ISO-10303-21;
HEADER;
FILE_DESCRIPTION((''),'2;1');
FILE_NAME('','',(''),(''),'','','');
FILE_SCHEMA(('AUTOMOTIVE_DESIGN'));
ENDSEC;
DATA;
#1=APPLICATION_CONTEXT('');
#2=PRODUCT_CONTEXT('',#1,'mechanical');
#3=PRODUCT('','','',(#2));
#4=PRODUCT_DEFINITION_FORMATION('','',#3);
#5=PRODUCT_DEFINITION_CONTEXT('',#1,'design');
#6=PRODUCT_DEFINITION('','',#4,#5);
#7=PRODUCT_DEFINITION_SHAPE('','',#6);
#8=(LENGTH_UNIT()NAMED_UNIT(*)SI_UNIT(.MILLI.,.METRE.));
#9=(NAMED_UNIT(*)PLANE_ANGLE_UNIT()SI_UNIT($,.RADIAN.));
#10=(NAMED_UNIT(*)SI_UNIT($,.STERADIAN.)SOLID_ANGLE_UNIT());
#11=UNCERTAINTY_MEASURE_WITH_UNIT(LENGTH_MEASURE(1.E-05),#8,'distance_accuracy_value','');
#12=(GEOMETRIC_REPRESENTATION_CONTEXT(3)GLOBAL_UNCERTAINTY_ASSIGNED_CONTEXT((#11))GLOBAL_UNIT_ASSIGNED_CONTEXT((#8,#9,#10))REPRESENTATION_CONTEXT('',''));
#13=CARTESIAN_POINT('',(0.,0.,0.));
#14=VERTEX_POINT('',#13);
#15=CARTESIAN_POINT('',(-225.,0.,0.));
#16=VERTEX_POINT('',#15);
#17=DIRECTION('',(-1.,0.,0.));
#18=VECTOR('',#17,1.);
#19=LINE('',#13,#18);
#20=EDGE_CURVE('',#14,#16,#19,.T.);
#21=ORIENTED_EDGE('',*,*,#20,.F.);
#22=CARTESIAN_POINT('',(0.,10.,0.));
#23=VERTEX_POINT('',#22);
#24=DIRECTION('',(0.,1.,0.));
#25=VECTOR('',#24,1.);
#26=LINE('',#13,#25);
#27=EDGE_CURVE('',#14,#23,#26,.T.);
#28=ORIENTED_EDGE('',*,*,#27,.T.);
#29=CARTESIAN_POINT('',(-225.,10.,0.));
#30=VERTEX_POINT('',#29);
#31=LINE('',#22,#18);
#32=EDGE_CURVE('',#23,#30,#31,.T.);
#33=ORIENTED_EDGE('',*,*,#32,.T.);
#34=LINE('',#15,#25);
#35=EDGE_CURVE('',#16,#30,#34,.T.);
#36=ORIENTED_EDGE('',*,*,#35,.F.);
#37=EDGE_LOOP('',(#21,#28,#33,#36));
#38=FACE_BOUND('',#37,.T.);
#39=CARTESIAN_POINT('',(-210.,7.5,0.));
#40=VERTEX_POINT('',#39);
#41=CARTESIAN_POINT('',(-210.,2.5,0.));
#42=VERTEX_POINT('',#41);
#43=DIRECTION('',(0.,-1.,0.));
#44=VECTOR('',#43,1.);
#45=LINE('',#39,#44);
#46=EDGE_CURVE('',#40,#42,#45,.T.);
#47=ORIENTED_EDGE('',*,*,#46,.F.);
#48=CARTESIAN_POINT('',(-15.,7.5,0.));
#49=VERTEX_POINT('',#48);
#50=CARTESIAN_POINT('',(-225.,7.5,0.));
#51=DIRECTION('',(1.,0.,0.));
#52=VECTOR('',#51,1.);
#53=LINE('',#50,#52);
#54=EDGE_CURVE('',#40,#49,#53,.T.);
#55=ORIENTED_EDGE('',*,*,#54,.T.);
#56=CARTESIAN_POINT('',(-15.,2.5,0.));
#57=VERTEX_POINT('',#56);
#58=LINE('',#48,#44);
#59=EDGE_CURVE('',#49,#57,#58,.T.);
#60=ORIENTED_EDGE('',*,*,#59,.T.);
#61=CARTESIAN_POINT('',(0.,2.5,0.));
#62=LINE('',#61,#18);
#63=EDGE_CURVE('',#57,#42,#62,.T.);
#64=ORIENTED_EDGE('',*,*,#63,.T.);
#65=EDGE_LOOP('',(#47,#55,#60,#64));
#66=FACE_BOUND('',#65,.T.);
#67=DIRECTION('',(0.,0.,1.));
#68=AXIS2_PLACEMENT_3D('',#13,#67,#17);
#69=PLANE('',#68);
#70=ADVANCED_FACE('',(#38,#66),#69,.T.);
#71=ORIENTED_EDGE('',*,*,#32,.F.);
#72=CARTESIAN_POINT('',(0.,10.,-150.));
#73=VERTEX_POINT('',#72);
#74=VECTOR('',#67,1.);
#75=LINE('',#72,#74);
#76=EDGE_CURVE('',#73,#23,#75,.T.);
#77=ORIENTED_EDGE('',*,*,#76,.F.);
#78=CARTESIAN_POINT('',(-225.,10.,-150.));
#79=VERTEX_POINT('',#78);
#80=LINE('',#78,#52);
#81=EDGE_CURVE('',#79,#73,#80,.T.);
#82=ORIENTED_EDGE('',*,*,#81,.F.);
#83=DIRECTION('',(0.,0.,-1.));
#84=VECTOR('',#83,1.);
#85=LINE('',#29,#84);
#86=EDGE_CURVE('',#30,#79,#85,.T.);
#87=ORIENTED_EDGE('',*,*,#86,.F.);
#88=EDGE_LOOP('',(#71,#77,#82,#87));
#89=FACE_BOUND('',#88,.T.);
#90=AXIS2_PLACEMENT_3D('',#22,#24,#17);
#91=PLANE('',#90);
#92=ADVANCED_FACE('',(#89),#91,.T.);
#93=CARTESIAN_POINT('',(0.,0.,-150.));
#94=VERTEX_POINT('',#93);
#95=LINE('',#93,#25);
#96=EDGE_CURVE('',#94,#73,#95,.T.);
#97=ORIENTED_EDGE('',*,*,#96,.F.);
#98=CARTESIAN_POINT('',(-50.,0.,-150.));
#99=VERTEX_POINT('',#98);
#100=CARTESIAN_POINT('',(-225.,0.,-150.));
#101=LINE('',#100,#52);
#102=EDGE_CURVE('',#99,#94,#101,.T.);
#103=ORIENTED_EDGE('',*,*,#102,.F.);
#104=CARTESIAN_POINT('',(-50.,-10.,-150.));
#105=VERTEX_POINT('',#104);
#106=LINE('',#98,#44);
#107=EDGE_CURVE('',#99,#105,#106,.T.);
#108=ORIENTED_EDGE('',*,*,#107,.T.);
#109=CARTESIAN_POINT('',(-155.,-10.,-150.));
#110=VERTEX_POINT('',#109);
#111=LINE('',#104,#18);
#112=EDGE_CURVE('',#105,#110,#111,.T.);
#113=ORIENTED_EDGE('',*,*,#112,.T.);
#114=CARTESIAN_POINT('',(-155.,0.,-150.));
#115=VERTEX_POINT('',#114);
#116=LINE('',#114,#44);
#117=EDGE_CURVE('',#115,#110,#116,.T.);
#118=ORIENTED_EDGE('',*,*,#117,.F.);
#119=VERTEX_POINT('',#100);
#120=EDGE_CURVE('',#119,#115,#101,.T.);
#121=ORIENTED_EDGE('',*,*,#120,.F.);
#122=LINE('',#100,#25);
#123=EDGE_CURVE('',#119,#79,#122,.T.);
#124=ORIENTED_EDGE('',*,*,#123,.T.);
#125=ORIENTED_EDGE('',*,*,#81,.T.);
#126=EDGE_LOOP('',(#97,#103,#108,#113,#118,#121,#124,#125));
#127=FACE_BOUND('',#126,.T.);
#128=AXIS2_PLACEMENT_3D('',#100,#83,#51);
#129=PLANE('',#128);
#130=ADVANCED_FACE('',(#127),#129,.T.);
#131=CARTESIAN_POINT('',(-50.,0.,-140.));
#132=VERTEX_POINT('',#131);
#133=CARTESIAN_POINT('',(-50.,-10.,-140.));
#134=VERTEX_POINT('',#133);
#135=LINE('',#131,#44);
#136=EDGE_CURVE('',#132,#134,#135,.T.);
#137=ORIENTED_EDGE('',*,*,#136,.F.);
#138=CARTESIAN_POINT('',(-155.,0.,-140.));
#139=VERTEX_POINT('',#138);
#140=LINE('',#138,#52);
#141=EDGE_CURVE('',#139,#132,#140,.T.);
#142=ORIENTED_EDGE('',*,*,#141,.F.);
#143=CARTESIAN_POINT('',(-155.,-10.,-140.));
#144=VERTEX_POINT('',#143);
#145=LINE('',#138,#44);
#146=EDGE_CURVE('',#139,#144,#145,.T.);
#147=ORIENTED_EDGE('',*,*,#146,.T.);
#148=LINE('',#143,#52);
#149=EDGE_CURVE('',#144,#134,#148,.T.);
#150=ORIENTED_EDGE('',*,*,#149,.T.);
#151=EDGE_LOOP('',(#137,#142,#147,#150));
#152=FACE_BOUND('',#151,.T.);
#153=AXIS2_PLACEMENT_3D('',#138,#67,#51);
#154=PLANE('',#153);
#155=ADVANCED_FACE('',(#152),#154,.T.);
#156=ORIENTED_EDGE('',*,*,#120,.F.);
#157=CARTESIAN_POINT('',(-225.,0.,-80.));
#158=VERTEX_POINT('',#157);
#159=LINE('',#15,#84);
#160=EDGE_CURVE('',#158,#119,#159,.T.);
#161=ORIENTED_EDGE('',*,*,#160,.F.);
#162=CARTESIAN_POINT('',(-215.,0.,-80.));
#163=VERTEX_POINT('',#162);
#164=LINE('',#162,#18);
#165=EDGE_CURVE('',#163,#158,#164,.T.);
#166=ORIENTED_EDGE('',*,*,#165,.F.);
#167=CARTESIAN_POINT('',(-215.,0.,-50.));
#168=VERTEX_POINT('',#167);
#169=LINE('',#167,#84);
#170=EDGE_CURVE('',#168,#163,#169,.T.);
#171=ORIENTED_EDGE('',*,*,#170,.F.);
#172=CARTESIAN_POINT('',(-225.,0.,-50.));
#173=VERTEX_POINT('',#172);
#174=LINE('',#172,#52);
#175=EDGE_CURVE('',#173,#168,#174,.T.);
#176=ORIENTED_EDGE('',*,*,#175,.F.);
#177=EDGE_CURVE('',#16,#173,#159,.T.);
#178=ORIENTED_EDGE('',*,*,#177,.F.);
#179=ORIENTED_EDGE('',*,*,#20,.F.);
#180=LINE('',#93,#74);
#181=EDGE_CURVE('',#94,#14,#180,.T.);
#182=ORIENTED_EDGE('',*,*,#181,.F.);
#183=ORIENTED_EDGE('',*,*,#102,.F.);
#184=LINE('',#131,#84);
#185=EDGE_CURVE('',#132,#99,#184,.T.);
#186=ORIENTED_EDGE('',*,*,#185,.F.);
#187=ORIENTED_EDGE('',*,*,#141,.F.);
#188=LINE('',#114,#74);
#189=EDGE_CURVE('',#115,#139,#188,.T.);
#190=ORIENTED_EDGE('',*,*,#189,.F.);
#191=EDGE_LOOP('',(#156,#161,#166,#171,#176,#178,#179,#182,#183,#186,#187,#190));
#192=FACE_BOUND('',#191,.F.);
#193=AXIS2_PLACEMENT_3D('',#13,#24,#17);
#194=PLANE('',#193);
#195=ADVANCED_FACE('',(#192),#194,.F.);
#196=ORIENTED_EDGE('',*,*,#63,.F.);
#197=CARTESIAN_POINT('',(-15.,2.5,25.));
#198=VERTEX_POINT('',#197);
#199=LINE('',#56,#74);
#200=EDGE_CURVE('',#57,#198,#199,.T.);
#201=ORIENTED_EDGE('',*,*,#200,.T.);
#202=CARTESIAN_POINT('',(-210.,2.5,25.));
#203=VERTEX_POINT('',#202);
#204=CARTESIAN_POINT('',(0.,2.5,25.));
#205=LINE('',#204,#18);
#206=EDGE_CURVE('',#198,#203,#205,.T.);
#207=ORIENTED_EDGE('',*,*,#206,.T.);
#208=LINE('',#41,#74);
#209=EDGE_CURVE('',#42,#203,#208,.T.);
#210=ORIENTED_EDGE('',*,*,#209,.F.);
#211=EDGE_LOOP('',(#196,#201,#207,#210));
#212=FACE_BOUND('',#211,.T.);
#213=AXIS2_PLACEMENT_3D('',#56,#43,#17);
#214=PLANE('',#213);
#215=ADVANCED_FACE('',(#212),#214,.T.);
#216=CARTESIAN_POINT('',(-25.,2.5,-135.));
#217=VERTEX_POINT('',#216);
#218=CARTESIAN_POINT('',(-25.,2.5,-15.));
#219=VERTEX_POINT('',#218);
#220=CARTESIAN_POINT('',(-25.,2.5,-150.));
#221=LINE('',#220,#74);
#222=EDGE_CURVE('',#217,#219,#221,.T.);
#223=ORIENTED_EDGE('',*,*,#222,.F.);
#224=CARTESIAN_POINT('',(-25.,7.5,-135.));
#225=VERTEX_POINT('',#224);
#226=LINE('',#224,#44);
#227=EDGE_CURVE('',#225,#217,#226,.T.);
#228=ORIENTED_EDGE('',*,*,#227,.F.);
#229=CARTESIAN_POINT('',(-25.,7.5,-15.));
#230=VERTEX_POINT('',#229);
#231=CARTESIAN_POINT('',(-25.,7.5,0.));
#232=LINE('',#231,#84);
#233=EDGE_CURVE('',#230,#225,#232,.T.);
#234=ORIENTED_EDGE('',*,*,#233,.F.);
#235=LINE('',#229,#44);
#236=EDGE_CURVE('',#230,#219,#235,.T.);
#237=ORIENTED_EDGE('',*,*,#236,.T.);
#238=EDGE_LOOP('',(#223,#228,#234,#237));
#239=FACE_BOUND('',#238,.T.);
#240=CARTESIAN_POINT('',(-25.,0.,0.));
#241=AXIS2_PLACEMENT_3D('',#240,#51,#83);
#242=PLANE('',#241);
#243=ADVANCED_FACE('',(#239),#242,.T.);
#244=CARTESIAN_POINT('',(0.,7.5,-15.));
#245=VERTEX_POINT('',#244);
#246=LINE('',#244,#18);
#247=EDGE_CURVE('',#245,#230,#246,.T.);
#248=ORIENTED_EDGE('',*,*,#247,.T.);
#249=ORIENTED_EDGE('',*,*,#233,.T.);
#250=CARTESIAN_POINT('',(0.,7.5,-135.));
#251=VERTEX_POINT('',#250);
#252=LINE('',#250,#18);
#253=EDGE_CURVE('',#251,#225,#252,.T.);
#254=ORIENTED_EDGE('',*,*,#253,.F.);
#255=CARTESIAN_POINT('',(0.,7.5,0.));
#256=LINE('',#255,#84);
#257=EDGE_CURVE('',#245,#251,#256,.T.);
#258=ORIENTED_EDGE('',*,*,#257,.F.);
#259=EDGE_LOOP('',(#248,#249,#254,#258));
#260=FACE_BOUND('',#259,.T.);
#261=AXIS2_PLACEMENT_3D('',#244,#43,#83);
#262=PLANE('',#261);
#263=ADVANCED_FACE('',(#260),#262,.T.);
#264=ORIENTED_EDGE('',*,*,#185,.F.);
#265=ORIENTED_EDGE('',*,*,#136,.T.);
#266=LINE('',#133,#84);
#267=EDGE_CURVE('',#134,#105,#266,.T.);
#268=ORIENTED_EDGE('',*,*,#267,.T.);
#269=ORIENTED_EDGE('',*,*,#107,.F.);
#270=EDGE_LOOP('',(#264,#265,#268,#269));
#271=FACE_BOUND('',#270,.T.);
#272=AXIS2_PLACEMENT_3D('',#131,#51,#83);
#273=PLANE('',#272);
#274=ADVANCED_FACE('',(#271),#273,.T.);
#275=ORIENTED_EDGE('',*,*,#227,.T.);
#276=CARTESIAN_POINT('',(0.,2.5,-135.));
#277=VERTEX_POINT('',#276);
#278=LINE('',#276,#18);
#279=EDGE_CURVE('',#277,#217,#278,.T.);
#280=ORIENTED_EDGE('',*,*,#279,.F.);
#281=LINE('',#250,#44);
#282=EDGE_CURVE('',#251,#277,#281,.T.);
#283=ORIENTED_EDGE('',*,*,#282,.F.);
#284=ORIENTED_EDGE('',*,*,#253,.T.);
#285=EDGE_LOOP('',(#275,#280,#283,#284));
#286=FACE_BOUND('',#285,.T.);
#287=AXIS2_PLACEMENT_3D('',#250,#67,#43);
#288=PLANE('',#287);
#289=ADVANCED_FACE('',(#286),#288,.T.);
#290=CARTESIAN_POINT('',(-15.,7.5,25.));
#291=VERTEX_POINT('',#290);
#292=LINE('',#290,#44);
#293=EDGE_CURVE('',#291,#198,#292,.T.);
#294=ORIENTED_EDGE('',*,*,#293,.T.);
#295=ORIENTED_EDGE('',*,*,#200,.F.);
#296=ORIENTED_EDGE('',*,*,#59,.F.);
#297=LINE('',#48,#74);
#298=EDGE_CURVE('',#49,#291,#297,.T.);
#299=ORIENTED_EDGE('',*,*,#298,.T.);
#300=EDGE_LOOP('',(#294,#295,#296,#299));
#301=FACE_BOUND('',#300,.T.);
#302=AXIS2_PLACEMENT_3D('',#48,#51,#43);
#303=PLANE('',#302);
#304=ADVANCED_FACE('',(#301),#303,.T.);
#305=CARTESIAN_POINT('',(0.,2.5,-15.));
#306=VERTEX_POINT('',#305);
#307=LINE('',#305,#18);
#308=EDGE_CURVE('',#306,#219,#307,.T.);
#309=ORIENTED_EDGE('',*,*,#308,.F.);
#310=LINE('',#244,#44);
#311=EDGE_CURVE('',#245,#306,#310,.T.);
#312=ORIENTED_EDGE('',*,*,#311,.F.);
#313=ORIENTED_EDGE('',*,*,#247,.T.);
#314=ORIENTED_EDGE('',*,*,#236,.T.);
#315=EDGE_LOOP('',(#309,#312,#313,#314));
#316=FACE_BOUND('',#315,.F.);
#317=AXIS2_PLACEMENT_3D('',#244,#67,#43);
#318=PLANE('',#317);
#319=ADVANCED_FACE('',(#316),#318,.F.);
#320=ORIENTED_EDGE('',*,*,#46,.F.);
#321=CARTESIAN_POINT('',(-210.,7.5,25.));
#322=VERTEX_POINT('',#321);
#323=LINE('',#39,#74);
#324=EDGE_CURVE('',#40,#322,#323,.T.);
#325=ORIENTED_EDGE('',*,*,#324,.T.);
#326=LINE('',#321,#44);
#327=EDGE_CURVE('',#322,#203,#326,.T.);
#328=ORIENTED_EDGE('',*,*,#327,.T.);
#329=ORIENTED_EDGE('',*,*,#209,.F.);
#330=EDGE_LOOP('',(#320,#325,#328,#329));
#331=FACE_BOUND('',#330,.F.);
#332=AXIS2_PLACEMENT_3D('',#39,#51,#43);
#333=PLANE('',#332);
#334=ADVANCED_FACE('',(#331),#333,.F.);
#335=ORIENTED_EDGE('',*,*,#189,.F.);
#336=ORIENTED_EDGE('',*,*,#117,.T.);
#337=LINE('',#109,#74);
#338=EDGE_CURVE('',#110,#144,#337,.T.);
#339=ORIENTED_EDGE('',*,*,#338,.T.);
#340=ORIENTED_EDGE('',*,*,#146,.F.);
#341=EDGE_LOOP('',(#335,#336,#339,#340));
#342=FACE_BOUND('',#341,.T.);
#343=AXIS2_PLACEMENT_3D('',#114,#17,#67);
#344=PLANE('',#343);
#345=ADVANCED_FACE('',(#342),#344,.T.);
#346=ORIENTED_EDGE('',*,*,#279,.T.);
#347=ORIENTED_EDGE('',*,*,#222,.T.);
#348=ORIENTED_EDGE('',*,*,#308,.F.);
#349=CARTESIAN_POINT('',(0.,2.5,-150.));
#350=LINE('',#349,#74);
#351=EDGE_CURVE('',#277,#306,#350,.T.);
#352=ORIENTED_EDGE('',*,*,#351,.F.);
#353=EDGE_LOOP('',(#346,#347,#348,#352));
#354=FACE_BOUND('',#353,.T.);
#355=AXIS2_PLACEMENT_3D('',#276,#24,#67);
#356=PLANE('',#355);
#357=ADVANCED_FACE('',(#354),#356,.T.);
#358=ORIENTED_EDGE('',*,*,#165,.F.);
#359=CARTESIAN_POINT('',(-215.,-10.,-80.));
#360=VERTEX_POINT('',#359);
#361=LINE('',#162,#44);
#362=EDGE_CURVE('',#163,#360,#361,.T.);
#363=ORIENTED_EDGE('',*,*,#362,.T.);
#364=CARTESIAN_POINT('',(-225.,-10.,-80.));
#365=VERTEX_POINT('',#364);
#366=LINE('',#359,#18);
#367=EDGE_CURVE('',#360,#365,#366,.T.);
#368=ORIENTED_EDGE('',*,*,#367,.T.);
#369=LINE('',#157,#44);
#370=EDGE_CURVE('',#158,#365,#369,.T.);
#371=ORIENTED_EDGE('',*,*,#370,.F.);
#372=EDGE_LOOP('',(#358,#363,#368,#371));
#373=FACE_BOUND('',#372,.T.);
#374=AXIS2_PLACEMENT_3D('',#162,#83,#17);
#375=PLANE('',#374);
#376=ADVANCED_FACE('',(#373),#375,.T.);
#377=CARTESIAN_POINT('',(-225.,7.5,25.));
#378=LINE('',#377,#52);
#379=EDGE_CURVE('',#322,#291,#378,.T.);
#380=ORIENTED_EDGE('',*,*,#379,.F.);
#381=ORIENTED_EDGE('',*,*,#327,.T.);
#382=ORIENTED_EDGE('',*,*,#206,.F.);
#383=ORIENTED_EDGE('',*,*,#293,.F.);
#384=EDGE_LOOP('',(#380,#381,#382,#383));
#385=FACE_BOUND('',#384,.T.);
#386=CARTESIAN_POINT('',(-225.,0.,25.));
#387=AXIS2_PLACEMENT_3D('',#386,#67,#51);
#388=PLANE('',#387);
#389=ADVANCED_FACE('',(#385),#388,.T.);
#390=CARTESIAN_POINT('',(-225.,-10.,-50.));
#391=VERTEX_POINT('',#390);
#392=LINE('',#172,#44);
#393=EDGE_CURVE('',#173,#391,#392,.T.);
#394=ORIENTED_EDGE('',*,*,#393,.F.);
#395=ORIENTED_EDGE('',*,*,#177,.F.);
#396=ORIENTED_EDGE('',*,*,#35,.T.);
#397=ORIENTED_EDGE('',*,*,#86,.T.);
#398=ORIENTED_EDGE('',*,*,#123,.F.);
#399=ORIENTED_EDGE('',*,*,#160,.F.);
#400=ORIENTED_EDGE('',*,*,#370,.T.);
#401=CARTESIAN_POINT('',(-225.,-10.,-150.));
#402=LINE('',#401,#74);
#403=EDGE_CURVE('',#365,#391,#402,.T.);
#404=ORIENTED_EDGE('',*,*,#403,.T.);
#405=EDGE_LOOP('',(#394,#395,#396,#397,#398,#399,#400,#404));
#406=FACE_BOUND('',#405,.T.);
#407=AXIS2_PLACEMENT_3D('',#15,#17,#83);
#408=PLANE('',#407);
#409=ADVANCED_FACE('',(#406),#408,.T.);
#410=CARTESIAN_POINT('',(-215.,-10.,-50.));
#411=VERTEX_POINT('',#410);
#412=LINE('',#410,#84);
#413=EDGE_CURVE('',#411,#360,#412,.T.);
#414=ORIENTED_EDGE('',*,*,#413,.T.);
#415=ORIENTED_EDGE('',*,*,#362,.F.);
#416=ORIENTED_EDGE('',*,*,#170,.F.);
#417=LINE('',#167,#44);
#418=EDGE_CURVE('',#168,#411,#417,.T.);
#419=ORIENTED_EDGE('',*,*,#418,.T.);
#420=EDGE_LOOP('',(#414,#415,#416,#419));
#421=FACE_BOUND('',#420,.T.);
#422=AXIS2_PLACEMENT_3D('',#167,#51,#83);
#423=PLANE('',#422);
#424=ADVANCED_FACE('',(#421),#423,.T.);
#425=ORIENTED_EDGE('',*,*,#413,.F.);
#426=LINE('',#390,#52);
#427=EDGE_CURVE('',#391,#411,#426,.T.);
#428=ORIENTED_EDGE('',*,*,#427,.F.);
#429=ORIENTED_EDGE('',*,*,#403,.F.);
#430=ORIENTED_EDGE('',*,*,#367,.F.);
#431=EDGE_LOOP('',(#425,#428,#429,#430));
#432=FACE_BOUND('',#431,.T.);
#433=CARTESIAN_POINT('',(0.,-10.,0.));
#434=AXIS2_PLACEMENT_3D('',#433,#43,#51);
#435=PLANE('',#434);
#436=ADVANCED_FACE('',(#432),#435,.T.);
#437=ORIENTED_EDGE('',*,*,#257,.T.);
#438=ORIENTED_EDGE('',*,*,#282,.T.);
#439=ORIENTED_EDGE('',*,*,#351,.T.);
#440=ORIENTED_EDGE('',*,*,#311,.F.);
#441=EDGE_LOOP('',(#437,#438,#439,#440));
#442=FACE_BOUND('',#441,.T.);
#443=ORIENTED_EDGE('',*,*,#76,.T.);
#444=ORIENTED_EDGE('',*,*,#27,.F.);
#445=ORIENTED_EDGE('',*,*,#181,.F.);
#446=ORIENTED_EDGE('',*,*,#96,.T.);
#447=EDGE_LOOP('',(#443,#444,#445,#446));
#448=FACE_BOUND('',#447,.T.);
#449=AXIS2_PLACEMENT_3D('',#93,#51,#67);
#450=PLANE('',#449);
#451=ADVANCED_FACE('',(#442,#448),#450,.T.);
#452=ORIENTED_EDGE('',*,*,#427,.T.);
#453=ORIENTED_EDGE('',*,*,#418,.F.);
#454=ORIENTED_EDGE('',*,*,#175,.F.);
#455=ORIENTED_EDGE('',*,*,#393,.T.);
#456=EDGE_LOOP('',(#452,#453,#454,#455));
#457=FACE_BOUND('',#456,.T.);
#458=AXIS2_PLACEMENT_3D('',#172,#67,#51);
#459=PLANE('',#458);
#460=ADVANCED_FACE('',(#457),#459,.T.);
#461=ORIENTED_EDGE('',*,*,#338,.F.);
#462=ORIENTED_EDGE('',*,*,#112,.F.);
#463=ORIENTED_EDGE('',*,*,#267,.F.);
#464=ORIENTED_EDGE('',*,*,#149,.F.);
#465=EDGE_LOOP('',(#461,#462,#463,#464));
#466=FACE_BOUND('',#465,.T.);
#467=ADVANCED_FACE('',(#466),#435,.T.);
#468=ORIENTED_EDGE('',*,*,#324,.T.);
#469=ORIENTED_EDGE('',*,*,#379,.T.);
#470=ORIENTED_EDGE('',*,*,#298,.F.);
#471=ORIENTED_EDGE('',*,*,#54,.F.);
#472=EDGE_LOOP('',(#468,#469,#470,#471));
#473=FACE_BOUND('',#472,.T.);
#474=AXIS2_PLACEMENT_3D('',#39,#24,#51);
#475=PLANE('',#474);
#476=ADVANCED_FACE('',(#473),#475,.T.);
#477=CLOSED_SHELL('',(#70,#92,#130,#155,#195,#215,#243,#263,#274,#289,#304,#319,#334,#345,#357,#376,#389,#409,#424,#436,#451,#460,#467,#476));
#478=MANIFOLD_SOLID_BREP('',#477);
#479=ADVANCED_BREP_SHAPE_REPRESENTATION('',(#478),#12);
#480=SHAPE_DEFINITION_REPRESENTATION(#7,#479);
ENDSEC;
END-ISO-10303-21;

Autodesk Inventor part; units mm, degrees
ref_plane "YZ Plane" through (0, 0, 0) normal (1, 0, 0) x (0, 1, 0)
ref_plane "XZ Plane" through (0, 0, 0) normal (0, 1, 0) x (-1, 0, 0)
ref_plane "XY Plane" through (0, 0, 0) normal (0, 0, 1) x (1, 0, 0)
sketch "Sketch1" plane through (0, 0, 0) normal (0, 1, 0) x (-1, 0, 0)
  line L0 (0, 0) -> (225, 0)
  line L1 (225, 0) -> (225, -150)
  line L2 (225, -150) -> (0, -150)
  line L3 (0, -150) -> (0, 0)
  dimension "d0" = 225
  dimension "d1" = 150
extrude "Extrusion1" add sketch "Sketch1" along normal blind 10
sketch "Sketch2" plane through (-225, 0, 0) normal (0, 0, 1) x (1, 0, 0)
  line L0 (0, 0) -> (0, 10) projected
  line L1 (225, 0) -> (225, 10) projected
  line L2 (0, 7.5) -> (225, 7.5)
  line L3 (225, 7.5) -> (225, 2.5)
  line L4 (225, 2.5) -> (0, 2.5)
  line L5 (0, 2.5) -> (0, 7.5)
  line L6 (225, 7.5) -> (210, 7.5)
  line L7 (210, 7.5) -> (210, 2.5)
  line L8 (210, 2.5) -> (225, 2.5)
  line L9 (225, 2.5) -> (225, 7.5)
  line L10 (0, 7.5) -> (15, 7.5)
  line L11 (15, 7.5) -> (15, 2.5)
  line L12 (15, 2.5) -> (0, 2.5)
  line L13 (0, 2.5) -> (0, 7.5)
  dimension "d4" = 5
  dimension "d5" = 15
  dimension "d6" = 5
  dimension "d7" = 15
  dimension "d8" = 5
sketch "Sketch3" plane through (0, 0, 0) normal (1, 0, 0) x (0, 0, -1)
  line L0 (0, 0) -> (0, 10) projected
  line L1 (0, 7.5) -> (150, 7.5)
  line L2 (150, 7.5) -> (150, 2.5)
  line L3 (150, 2.5) -> (0, 2.5)
  line L4 (0, 2.5) -> (0, 7.5)
  line L5 (0, 7.5) -> (15, 7.5)
  line L6 (15, 7.5) -> (15, 2.5)
  line L7 (15, 2.5) -> (0, 2.5)
  line L8 (0, 2.5) -> (0, 7.5)
  line L9 (150, 7.5) -> (135, 7.5)
  line L10 (135, 7.5) -> (135, 2.5)
  line L11 (135, 2.5) -> (150, 2.5)
  line L12 (150, 2.5) -> (150, 7.5)
  dimension "d9" = 150
  dimension "d10" = 5
  dimension "d11" = 15
  dimension "d12" = 5
  dimension "d13" = 15
  dimension "d14" = 5
extrude "Extrusion2" add sketch "Sketch2" along normal blind 25 contours L11 L2 L7 L4
extrude "Extrusion3" cut sketch "Sketch3" against normal blind 25 contours L6 L1 L10 L3
sketch "Sketch4" plane through (0, 0, 0) normal (0, -1, 0) x (1, 0, 0)
  line L0 (-225, -150) -> (-225, 0) projected
  line L1 (-225, -50) -> (-215, -50)
  line L2 (-215, -50) -> (-215, -80)
  line L3 (-215, -80) -> (-225, -80)
  line L4 (-225, -80) -> (-225, -50)
  line L5 (-50, -150) -> (-155, -150)
  line L6 (-155, -150) -> (-155, -140)
  line L7 (-155, -140) -> (-50, -140)
  line L8 (-50, -140) -> (-50, -150)
  point P0 (0, 0)
  dimension "d19" = 10
  dimension "d20" = 30
  dimension "d21" = 105
  dimension "d22" = 10
extrude "Extrusion4" add sketch "Sketch4" along normal blind 10
properties part number "TSU_MF_Floor"
